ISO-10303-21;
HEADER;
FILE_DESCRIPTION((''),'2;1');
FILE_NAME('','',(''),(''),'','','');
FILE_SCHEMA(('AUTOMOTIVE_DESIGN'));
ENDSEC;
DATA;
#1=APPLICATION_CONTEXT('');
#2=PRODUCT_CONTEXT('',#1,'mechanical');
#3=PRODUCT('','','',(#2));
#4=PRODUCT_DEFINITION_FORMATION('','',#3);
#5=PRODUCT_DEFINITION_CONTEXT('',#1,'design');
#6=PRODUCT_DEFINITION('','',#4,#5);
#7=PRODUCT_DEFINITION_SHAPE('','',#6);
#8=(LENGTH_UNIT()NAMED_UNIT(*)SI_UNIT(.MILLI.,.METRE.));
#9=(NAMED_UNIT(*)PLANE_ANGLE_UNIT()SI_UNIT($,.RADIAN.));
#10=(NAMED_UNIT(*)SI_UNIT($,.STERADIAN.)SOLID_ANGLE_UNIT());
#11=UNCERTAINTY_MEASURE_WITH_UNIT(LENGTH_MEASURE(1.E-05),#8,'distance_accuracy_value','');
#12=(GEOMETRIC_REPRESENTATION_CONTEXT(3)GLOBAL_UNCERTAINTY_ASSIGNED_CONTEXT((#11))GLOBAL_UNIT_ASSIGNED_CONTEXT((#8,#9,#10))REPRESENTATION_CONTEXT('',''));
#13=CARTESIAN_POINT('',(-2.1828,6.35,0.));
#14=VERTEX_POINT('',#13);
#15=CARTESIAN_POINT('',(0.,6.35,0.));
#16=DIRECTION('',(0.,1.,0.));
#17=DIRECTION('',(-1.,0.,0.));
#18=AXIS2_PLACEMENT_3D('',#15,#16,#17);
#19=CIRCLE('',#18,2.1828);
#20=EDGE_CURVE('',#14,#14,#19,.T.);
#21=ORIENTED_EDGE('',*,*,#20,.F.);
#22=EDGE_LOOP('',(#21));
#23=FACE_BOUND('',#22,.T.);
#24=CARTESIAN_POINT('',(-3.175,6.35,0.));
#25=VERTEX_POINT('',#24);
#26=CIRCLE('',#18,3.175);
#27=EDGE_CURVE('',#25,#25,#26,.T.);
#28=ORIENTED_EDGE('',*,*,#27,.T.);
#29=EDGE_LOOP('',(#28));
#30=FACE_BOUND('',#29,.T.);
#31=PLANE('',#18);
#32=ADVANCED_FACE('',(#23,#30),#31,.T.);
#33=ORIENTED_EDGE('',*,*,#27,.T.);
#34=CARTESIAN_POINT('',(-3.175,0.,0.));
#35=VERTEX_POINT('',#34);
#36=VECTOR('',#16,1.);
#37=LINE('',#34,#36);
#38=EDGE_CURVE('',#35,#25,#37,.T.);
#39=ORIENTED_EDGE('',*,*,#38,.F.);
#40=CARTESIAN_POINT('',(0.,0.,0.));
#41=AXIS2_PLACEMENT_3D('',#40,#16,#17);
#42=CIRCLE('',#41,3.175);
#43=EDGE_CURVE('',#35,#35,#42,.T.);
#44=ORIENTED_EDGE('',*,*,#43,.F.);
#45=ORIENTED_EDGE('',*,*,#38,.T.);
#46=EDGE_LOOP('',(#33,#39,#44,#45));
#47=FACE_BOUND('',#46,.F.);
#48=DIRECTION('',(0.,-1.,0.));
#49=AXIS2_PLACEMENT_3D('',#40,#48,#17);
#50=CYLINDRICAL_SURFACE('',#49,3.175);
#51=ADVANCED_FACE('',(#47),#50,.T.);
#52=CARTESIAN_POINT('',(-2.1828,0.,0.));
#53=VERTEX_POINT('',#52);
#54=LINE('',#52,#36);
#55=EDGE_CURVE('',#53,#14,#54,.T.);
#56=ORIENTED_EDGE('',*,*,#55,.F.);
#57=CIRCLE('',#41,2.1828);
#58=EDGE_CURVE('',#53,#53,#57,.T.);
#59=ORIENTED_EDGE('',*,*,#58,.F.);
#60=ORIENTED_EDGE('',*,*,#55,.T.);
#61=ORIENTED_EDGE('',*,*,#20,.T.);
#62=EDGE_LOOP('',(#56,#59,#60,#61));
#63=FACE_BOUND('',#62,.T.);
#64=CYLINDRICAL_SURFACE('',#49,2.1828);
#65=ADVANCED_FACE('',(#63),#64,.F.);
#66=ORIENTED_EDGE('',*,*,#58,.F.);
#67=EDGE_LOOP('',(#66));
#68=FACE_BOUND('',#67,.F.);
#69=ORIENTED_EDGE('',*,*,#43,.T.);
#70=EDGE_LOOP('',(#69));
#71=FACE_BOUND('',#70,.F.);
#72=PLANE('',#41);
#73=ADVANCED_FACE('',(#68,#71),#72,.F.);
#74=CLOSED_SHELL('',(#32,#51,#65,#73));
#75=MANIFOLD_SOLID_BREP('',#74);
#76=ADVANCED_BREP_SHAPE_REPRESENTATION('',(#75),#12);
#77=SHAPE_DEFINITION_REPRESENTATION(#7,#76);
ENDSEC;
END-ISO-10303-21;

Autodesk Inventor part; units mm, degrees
ref_plane "YZ Plane" through (0, 0, 0) normal (1, 0, 0) x (0, 1, 0)
ref_plane "XZ Plane" through (0, 0, 0) normal (0, 1, 0) x (-1, 0, 0)
ref_plane "XY Plane" through (0, 0, 0) normal (0, 0, 1) x (1, 0, 0)
sketch "Sketch1" plane through (0, 0, 0) normal (0, 1, 0) x (-1, 0, 0)
  circle A0 centre (0, 0) radius 3.175
  circle A1 centre (0, 0) radius 2.1828
  dimension "d0" = 6.35
  dimension "d1" = 4.3656
extrude "Extrusion1" add sketch "Sketch1" along normal blind 6.35
properties part number "0.25 1-2 od" material "Stainless Steel"
